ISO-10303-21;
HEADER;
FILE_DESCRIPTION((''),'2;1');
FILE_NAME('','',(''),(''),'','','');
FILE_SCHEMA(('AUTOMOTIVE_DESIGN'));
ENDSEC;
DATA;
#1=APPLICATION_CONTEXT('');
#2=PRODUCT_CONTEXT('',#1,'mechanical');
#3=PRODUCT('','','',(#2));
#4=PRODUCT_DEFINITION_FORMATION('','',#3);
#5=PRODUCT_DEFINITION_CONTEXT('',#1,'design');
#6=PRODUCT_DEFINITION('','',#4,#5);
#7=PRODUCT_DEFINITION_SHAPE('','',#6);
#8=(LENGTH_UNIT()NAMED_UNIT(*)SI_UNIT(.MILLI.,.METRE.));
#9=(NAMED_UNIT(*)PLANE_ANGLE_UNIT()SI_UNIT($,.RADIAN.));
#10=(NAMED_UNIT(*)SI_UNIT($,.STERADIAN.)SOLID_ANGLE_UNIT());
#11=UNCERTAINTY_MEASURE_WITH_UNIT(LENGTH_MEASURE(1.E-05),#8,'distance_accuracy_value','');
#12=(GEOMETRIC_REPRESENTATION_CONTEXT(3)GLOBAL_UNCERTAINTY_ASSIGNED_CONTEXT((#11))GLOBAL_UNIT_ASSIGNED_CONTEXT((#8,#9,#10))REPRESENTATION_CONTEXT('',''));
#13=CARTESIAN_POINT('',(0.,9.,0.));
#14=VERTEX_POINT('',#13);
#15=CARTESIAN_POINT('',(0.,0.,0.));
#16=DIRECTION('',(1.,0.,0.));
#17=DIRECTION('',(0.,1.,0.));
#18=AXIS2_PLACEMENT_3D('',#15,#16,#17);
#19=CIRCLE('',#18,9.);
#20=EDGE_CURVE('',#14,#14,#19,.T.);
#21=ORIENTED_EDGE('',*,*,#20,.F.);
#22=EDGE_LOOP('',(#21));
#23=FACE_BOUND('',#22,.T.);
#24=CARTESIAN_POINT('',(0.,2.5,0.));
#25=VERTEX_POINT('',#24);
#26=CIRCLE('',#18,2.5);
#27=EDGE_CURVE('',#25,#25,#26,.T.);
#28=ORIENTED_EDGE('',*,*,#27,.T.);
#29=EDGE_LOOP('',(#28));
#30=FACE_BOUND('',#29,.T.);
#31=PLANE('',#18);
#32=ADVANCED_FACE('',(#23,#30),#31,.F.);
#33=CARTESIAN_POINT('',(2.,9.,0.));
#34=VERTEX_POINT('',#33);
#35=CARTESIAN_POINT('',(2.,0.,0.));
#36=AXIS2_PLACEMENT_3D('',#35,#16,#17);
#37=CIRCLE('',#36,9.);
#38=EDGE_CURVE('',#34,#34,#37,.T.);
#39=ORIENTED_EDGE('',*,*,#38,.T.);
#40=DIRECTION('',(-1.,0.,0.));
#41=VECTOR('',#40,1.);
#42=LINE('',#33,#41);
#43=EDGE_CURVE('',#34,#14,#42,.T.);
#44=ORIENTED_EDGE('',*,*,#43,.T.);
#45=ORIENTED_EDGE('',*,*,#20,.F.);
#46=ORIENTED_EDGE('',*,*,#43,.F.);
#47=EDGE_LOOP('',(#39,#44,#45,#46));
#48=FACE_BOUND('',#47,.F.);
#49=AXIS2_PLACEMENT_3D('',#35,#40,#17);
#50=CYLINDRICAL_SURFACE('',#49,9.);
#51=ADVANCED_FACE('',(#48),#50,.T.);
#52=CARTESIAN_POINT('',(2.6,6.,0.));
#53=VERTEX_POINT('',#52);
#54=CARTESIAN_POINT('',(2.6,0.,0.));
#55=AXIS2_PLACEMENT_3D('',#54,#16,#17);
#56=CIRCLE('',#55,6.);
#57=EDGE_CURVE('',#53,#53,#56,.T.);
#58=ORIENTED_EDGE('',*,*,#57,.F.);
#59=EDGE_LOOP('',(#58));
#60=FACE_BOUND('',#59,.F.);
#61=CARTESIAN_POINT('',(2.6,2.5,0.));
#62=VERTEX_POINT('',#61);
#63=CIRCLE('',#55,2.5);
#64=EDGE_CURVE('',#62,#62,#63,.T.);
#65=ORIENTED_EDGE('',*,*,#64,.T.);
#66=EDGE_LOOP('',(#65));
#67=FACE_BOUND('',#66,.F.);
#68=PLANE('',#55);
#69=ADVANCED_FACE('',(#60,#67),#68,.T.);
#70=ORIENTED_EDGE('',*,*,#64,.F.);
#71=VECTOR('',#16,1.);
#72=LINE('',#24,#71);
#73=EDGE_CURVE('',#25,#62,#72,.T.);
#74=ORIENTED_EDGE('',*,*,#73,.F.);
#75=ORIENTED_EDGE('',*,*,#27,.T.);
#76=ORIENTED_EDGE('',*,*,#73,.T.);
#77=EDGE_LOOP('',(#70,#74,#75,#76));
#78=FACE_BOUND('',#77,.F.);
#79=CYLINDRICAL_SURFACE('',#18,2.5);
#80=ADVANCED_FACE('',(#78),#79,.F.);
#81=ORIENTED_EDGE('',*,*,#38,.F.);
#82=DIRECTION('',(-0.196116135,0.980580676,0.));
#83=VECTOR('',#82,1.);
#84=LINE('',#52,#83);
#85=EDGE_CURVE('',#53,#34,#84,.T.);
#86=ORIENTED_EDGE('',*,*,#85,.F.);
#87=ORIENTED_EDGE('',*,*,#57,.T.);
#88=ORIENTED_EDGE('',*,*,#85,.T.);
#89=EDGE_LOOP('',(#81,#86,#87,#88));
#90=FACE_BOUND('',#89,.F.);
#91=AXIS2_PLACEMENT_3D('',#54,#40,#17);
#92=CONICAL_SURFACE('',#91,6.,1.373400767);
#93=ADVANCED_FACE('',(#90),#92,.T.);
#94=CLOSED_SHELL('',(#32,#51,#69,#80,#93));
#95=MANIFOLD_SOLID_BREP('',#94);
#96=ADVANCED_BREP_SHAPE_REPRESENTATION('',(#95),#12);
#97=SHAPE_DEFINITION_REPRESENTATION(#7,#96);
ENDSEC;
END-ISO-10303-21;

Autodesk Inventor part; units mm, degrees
ref_plane "YZ-Ebene" through (0, 0, 0) normal (1, 0, 0) x (0, 1, 0)
ref_plane "XZ-Ebene" through (0, 0, 0) normal (0, 1, 0) x (-1, 0, 0)
ref_plane "XY-Ebene" through (0, 0, 0) normal (0, 0, 1) x (1, 0, 0)
sketch "Skizze1" plane through (0, 0, 0) normal (0, 0, 1) x (1, 0, 0)
  line L0 (-0.52, 0) -> (3.12, 0) projected
  line L1 (0, -1.8) -> (0, 10.8) projected
  line L2 (0, 2.5) -> (2.6, 2.5)
  line L3 (2.6, 2.5) -> (2.6, 6)
  line L4 (2.6, 6) -> (2, 9)
  line L5 (2, 9) -> (0, 9)
  point P0 (0, 0)
  dimension "d0" = 2.6
  dimension "d3" = 3
  dimension "d4" = 2
  dimension "d5" = 9
  dimension "d7" = 5
revolve "Umdrehung1" add sketch "Skizze1" angle 360 about axis through (-10, 0, 0) along (1, 0, 0)
properties part number "Propellerscheib_ra8846s" material "Aluminium 6061"
